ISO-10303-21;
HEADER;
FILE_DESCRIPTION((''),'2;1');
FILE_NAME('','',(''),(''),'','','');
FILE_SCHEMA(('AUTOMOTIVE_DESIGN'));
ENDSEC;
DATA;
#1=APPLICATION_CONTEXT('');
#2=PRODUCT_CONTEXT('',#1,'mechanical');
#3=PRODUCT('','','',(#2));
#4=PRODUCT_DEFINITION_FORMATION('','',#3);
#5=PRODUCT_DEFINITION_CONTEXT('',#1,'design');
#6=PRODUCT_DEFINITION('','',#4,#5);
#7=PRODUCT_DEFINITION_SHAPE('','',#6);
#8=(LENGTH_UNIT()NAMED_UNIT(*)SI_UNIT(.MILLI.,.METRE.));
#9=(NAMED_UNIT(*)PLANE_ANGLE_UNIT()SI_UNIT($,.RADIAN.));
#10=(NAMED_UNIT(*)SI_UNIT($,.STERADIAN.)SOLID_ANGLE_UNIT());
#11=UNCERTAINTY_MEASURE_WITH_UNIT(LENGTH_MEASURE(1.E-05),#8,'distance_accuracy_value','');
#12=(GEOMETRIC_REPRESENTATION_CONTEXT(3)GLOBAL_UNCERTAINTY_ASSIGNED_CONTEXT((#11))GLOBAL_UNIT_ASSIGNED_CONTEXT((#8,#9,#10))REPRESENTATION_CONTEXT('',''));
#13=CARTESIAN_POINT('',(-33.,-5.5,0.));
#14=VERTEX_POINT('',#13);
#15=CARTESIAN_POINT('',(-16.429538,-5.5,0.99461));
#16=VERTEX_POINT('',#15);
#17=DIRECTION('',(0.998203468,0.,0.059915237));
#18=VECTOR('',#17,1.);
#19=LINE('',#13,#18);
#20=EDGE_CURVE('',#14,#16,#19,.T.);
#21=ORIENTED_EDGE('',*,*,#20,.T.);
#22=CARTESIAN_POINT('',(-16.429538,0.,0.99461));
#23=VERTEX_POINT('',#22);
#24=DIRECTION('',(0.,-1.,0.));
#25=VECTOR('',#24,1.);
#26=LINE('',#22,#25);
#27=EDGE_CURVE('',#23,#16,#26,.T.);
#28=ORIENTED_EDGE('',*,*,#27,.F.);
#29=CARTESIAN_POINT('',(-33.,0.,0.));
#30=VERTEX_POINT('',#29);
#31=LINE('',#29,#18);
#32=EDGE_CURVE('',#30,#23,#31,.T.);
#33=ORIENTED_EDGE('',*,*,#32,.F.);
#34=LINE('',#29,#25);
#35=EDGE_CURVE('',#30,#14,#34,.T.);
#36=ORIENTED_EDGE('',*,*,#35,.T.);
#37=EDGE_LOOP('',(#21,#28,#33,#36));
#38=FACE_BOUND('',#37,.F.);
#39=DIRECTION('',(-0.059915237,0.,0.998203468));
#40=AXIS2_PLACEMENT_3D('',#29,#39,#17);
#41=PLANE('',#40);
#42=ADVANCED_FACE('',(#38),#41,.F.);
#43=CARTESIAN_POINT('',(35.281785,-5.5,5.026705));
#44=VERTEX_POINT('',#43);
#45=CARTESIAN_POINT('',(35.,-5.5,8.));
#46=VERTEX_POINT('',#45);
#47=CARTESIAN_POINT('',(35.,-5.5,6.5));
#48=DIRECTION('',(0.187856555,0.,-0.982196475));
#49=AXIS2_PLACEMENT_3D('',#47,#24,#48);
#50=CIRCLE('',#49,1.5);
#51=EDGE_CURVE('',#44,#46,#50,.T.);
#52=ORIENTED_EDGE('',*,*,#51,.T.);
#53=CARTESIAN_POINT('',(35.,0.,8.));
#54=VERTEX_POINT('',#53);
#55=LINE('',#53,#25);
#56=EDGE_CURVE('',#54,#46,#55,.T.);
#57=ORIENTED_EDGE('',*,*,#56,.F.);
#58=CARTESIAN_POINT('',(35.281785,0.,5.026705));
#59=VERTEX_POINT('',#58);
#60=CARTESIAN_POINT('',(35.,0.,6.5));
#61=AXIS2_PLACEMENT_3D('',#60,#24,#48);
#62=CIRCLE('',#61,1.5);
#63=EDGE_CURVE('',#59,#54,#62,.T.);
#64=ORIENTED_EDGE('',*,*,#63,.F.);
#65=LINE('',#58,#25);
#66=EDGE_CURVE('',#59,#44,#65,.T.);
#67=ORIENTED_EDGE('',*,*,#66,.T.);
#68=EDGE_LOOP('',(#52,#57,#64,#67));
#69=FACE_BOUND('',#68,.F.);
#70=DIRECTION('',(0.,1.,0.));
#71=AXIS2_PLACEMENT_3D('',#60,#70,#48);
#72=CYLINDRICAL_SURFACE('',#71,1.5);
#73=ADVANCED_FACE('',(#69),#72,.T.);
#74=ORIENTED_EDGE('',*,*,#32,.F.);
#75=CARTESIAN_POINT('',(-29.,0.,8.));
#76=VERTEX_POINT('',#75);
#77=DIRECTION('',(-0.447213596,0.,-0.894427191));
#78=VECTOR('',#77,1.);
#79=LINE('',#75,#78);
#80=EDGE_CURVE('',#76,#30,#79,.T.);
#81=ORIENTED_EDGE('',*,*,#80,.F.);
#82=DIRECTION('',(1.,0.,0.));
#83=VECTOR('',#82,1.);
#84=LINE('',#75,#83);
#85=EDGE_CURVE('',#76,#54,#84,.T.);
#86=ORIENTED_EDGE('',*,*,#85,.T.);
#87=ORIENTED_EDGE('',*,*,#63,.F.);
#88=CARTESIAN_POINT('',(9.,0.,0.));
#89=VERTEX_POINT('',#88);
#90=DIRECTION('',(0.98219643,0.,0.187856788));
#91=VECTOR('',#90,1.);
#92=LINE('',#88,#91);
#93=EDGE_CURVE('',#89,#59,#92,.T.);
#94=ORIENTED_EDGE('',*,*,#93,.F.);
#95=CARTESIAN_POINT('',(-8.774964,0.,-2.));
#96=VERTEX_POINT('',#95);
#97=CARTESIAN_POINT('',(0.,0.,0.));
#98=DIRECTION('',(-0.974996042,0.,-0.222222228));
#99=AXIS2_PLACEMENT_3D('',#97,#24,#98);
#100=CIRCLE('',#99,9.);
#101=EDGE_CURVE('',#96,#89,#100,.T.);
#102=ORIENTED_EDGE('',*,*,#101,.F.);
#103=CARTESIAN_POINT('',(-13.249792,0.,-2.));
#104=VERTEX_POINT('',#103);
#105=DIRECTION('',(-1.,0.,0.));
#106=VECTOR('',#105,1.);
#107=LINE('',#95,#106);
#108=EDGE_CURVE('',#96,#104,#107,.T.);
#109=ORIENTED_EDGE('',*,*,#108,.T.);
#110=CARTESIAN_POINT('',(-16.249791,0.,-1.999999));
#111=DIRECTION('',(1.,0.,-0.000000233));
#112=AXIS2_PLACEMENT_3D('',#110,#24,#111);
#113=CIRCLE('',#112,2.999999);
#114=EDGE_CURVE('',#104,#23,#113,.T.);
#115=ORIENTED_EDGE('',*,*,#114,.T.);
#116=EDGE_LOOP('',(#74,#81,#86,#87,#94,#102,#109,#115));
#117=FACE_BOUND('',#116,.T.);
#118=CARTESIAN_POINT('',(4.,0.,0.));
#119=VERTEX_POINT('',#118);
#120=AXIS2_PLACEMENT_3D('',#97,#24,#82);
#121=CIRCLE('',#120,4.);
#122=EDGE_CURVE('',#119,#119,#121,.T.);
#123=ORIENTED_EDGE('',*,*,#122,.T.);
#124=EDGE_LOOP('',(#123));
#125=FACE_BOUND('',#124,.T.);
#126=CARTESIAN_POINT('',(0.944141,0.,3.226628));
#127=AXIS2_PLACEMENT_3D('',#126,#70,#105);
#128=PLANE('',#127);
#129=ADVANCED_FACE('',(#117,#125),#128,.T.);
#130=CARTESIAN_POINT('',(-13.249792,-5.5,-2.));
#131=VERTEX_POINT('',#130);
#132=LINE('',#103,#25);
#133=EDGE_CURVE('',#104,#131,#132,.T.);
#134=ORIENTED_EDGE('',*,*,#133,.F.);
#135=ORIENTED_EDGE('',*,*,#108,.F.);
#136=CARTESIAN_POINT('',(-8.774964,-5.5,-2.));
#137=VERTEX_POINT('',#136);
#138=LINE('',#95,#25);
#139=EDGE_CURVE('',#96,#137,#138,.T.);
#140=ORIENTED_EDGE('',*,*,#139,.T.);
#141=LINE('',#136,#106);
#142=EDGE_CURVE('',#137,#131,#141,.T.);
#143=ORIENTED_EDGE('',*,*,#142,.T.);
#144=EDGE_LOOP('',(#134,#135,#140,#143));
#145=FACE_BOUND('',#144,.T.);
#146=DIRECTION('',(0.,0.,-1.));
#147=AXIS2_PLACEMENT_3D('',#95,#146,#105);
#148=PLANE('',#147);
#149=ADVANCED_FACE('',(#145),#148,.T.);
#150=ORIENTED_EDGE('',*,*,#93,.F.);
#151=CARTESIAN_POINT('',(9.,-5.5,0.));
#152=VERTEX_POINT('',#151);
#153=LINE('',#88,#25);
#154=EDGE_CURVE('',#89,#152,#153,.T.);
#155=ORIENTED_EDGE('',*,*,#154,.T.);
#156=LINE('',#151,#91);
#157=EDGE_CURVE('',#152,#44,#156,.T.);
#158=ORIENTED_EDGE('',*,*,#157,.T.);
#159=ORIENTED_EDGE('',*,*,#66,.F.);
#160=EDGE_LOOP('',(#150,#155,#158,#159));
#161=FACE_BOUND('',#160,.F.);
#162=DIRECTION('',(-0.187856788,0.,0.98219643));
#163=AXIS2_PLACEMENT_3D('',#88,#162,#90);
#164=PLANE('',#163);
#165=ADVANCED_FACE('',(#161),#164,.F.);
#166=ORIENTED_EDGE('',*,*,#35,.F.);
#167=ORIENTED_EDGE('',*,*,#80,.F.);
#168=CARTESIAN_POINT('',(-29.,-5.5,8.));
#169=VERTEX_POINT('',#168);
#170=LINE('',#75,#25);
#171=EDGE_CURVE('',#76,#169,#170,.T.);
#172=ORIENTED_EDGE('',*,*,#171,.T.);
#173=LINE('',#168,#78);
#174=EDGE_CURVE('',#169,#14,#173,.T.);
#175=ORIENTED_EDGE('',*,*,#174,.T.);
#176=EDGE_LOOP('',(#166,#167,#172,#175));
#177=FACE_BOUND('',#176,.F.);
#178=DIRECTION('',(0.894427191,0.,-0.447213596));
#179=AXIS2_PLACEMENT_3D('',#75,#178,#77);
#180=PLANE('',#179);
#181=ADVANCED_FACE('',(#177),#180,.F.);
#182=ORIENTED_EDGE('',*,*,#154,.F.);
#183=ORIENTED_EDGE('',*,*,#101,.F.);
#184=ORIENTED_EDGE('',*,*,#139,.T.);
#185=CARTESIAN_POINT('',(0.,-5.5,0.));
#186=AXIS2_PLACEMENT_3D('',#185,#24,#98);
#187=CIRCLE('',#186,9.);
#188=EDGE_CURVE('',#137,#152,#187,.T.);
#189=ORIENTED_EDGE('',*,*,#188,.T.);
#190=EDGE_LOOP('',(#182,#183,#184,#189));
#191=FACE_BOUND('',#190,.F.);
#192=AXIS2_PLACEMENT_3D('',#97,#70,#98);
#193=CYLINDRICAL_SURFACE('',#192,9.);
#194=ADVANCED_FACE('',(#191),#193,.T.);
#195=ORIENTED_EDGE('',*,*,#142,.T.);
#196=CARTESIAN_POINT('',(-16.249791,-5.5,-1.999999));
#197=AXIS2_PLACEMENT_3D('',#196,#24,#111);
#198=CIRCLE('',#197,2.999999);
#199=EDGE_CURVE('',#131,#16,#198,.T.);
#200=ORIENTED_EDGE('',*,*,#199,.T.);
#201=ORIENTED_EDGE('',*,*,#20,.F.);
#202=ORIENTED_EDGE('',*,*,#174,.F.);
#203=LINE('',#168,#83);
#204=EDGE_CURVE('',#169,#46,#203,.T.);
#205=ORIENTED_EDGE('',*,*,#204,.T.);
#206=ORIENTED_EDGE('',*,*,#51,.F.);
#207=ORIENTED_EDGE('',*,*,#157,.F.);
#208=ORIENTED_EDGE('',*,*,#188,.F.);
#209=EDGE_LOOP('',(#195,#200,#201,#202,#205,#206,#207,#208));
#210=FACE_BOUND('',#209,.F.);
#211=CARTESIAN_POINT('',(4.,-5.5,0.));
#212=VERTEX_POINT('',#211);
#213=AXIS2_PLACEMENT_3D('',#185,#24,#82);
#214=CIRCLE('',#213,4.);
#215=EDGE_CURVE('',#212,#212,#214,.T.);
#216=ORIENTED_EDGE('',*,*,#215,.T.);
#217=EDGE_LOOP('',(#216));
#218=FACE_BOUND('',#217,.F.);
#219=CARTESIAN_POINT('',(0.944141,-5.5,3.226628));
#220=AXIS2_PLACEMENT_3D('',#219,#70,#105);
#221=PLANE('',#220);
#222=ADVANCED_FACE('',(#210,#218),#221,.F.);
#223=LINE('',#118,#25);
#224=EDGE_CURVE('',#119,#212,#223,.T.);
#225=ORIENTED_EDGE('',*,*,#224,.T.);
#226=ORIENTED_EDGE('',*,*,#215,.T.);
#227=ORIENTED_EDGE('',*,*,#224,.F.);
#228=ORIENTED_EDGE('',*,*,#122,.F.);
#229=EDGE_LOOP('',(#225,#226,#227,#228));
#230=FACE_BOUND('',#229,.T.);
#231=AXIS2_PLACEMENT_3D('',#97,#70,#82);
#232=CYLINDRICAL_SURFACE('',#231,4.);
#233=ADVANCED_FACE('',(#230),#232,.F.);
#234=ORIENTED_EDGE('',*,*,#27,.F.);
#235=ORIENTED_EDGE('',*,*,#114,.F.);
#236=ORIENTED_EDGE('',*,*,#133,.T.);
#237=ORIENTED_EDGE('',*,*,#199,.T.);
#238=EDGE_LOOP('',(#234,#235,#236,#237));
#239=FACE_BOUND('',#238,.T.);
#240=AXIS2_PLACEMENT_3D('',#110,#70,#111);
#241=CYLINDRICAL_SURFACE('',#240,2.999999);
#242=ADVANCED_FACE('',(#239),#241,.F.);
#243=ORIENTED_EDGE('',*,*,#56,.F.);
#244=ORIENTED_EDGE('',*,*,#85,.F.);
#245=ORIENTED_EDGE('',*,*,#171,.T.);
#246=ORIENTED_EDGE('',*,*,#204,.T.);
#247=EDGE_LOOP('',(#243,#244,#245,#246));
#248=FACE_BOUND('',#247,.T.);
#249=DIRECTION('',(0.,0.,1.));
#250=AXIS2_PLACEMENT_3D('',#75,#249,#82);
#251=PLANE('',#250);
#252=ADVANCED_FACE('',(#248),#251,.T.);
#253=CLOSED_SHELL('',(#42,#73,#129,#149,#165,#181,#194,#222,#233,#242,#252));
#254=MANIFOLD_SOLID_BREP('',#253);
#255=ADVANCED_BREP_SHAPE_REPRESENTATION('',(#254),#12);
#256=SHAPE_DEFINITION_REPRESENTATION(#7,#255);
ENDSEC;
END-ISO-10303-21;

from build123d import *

# Parameters (mm, degrees)
SKETCH_R  = 4
PAD_DEPTH = 5.5


with BuildPart() as part:
    # Sketch → Pad (new body)
    with BuildSketch(Plane.XZ):
        with BuildLine():
            Line((-29, 8), (35, 8))
            ThreePointArc((35.281785, 5.026705), (36.493309, 6.641524), (35, 8))
            Line((9, 0), (35.281785, 5.026705))
            ThreePointArc((-8.774964, -2), (1.00631, -8.943564), (9, 0))
            Line((-8.774964, -2), (-13.249792, -2))
            ThreePointArc((-13.249792, -2), (-14.193003, 0.183946), (-16.429538, 0.99461))
            Line((-33, 0), (-16.429538, 0.99461))
            Line((-29, 8), (-33, 0))
        make_face()
        Circle(SKETCH_R, mode=Mode.SUBTRACT)
    extrude(amount=PAD_DEPTH)


solid = part.part
